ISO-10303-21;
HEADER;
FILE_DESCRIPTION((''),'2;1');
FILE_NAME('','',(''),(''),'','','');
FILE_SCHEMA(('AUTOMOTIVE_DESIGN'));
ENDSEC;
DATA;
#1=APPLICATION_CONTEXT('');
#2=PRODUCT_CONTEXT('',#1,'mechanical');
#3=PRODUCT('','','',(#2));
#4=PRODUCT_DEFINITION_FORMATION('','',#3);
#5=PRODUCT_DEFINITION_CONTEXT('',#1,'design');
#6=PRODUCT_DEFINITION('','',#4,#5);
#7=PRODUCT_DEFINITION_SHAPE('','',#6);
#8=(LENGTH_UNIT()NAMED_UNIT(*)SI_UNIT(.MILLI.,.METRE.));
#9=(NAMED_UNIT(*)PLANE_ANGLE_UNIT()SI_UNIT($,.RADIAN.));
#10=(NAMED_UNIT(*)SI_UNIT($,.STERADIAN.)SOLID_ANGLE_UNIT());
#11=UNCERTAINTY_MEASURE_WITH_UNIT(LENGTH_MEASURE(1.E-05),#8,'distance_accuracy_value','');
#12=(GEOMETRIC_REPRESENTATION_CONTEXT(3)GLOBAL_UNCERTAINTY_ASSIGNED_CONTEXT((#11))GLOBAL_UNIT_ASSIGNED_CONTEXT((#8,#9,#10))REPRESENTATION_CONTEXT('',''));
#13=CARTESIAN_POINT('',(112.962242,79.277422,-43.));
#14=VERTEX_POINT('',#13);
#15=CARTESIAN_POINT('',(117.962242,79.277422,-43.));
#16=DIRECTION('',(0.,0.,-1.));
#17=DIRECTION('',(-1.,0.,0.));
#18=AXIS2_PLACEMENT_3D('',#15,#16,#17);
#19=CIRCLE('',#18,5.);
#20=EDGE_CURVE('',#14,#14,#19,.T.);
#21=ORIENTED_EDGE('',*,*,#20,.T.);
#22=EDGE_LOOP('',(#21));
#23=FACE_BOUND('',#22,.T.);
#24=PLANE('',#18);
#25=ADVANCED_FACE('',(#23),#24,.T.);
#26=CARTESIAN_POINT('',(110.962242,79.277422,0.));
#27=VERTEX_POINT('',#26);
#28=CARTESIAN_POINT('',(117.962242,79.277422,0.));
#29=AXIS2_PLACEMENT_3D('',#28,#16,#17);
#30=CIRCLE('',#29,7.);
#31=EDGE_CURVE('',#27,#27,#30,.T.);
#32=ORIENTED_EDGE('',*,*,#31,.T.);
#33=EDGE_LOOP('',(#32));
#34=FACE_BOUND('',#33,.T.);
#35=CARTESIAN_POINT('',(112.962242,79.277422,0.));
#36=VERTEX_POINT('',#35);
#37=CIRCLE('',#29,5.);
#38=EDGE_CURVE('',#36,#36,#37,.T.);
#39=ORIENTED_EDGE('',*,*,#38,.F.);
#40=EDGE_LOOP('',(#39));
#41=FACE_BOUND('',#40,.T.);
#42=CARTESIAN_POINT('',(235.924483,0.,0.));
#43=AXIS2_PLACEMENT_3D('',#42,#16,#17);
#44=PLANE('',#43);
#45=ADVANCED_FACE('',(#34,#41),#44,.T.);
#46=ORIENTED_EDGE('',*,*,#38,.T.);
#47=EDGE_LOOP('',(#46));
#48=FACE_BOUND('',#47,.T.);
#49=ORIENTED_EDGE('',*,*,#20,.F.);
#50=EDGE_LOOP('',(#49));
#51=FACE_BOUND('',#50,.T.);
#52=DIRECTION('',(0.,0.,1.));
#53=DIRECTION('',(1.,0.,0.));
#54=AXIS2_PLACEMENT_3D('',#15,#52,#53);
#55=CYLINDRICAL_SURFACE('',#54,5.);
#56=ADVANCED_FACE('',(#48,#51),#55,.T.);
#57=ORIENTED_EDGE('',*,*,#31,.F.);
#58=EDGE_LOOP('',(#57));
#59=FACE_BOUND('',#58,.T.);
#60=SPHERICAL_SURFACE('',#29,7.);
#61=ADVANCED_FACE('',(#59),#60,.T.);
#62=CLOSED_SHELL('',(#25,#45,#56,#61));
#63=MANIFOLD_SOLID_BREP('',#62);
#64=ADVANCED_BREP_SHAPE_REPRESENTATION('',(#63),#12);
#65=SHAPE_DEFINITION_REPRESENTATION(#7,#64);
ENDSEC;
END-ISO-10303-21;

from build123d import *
from build123d.topology import SkipClean

# Parameters (mm, degrees)
REVOLVE_4_ANGLE     = 180.0000000000004
SKETCH_2_W          = 15.068111951450035
SKETCH_2_H          = 7.96575550760617
CUT_EXTRUDE_1_DEPTH = 56.00000000000002
SKETCH_3_R          = 4.999999999999991
EXTRUDE_2_DEPTH     = 43.00000000000001
SKETCH_45_R         = 8.000000000000014
CUT_EXTRUDE_2_DEPTH = 10
REVOLVE_5_ANGLE     = 180.0000000000004


with BuildPart() as part:
    # 草图1 → 旋转4 (revolve)
    with BuildSketch(Plane.XY):
        with BuildLine():
            Line((110.00000000000001, 81.99999999999996), (110.00000000000001, 89.99999999999999))
            Line((110.00000000000001, 89.99999999999999), (110.00000000000001, 98))
            ThreePointArc((110.00000000000001, 98), (102, 89.99999999999999), (110.00000000000001, 81.99999999999997))
        make_face()
    revolve(axis=Axis((110.00000000000001, 81.99999999999996, 0), (0, 1, 0)), revolution_arc=REVOLVE_4_ANGLE)

    # 草图2 → 切除-拉伸1 (cut)
    with SkipClean():  # the faces are left unmerged after this step: merging them gives an invalid solid
        with BuildSketch(Plane(origin=(0, 119.99999999999999, 0), x_dir=(1, 0, 0), z_dir=(0, 1, 0))):
            with Locations((110, -6.673230993554715)):
                Rectangle(SKETCH_2_W, SKETCH_2_H)
        extrude(amount=-CUT_EXTRUDE_1_DEPTH, mode=Mode.SUBTRACT)

    # 草图45 → 切除-拉伸2 (cut)
    with BuildSketch(Plane(origin=(0, 0, 0), x_dir=(-1, 0, 6.98e-15), z_dir=(-6.98e-15, 0, -1))):
        with Locations((-110.00000000000001, 89.99999999999999)):
            Circle(SKETCH_45_R)
    extrude(amount=-CUT_EXTRUDE_2_DEPTH, mode=Mode.SUBTRACT)


with BuildPart() as body_2:
    # 草图3 → 凸台-拉伸2 (new body)
    with BuildSketch(Plane(origin=(0, 0, 0), x_dir=(-1, 0, 6.98e-15), z_dir=(-6.98e-15, 0, -1))):
        with Locations((-117.96224151764466, 79.27742160371339)):
            Circle(SKETCH_3_R)
    extrude(amount=EXTRUDE_2_DEPTH)

    # 草图46 → 旋转5 (revolve)
    with BuildSketch(Plane.XY):
        with BuildLine():
            ThreePointArc((117.96224151764446, 74.2774216037134), (112.96224151764467, 79.2774216037134), (117.96224151764447, 84.27742160371338))
            Line((117.96224151764436, 84.27742160371338), (117.96224151764436, 86.27742160371339))
            ThreePointArc((117.96224151764436, 86.27742160371339), (110.96224151764436, 79.27742160371339), (117.96224151764436, 72.27742160371339))
            Line((117.96224151764436, 72.27742160371338), (117.96224151764436, 74.2774216037134))
        make_face()
        with BuildLine():
            Line((117.96224151764436, 74.2774216037134), (117.96224151764436, 79.27742160371339))
            Line((117.96224151764436, 79.27742160371339), (117.96224151764436, 84.27742160371338))
            ThreePointArc((117.96224151764447, 84.27742160371338), (112.96224151764467, 79.2774216037134), (117.96224151764446, 74.2774216037134))
        make_face()
        with BuildLine():
            Line((117.96224151764436, 84.27742160371338), (117.96224151764436, 79.27742160371339))
            Line((117.96224151764436, 79.27742160371339), (117.96224151764436, 74.2774216037134))
            ThreePointArc((117.96224151764446, 74.2774216037134), (121.49777542357731, 75.74188769778058), (122.96224151764464, 79.27742160371339))
            ThreePointArc((122.96224151764464, 79.27742160371339), (121.49777542357732, 82.81295550964619), (117.96224151764447, 84.27742160371338))
        make_face()
    revolve(axis=Axis((117.96224151764436, 86.27742160371339, 0), (0, 1, 0)), revolution_arc=REVOLVE_5_ANGLE)


solid = body_2.part
